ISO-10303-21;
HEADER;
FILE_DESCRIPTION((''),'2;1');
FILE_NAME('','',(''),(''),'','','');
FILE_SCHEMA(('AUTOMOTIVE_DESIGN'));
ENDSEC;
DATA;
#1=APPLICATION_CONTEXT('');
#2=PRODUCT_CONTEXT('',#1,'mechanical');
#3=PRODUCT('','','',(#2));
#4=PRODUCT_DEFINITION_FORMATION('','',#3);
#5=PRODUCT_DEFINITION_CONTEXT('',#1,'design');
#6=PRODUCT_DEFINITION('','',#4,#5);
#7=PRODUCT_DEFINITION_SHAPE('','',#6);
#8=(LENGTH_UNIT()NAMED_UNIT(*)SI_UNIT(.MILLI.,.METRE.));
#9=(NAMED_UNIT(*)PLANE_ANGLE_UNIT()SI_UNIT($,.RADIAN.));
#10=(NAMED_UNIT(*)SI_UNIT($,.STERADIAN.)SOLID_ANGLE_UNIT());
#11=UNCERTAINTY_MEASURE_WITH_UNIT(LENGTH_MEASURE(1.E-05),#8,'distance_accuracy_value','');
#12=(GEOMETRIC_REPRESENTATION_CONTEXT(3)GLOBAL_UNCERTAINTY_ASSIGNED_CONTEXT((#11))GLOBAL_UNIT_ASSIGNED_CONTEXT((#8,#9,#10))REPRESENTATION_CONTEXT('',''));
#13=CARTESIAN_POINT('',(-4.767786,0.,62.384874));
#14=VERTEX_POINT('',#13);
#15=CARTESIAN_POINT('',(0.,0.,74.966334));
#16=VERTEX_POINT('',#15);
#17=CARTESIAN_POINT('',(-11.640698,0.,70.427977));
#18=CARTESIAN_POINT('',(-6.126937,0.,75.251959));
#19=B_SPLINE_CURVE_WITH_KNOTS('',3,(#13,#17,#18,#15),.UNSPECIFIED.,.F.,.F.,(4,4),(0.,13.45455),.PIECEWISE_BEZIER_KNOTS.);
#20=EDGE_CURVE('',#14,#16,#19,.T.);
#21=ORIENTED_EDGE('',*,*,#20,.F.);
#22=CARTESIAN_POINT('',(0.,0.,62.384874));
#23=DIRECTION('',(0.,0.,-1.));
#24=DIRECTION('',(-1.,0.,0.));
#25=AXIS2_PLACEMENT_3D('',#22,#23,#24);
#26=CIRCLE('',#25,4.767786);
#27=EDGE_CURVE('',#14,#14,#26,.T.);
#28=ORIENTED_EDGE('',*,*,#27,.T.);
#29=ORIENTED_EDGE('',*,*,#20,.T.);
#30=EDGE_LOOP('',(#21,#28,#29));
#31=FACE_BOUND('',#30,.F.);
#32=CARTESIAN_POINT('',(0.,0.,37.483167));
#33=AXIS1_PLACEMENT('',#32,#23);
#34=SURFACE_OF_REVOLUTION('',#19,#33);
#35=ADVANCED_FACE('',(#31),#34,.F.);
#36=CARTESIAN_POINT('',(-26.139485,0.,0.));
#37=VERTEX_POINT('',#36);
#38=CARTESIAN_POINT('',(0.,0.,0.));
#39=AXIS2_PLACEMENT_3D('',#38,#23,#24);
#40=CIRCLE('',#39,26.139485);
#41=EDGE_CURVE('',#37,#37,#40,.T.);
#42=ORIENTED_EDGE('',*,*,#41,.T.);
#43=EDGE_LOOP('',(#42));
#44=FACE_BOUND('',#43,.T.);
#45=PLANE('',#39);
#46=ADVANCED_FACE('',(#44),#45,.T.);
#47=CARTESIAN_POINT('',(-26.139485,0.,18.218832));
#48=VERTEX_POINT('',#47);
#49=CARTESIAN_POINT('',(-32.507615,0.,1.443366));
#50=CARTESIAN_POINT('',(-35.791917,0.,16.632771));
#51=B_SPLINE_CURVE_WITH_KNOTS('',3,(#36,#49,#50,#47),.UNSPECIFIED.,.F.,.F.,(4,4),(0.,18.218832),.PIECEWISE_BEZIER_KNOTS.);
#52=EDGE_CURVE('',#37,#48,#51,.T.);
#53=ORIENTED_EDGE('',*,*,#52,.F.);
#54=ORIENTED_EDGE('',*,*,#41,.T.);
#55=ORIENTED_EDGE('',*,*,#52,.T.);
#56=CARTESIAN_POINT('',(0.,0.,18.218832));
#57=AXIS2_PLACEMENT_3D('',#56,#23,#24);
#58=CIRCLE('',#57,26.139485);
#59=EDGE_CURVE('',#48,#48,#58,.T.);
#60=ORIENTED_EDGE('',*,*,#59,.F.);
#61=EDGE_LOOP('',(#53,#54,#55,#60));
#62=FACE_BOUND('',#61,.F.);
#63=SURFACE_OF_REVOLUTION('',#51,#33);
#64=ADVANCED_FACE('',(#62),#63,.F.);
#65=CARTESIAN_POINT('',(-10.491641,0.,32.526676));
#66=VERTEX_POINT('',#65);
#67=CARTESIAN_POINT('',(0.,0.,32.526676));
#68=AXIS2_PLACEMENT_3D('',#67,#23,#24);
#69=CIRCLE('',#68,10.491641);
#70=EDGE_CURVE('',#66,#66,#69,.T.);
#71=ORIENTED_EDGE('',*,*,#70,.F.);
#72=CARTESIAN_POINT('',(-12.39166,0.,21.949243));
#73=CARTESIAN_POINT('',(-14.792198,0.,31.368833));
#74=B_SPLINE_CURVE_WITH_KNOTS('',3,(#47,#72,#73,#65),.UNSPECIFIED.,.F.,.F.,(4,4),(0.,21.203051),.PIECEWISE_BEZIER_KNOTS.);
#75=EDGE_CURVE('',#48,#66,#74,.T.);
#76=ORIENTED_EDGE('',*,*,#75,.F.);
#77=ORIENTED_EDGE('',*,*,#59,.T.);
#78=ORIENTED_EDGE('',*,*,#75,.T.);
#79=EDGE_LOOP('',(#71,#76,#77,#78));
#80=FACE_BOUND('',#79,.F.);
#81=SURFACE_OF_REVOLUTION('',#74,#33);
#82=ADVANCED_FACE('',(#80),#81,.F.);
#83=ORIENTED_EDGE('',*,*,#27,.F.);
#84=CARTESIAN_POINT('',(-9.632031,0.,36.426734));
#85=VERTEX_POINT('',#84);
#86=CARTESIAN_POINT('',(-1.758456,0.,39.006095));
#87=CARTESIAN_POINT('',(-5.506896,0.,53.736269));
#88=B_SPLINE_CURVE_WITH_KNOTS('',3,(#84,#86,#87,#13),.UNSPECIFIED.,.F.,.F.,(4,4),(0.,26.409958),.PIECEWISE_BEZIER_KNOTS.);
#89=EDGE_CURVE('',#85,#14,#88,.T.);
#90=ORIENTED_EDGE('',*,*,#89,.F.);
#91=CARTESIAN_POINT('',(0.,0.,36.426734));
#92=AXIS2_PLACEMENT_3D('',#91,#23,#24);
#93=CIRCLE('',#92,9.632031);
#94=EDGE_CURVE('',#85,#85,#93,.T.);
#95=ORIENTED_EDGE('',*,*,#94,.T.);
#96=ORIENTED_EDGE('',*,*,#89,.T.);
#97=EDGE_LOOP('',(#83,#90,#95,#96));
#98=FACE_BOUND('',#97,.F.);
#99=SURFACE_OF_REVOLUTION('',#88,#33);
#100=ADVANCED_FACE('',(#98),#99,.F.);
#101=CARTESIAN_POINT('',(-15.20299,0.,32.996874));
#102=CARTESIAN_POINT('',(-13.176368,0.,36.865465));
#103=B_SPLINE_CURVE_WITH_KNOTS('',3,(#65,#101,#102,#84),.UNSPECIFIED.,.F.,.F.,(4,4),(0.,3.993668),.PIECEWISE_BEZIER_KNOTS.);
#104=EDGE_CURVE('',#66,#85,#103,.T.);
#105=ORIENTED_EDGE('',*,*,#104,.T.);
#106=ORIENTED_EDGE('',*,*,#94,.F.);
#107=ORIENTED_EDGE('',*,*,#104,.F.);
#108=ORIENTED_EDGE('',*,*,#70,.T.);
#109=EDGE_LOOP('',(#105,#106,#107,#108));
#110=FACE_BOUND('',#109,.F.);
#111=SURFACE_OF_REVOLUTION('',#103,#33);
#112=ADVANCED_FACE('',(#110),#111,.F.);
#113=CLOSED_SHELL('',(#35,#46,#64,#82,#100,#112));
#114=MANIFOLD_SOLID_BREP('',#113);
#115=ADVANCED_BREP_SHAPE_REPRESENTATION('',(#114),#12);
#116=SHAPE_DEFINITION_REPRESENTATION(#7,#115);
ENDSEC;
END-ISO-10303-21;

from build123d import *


with BuildPart() as f1:
    # F0 (on Front) → F1 (revolve)
    with BuildSketch(Plane.XZ):
        with BuildLine():
            Line((-26.139485, 0), (0, 0))
            Line((0, 0), (0, 74.966334))
            add(Edge.make_bspline(
                [(-4.767786, 62.384874), (-11.640698, 70.427977), (-6.126937, 75.251959), (0, 74.966334)],
                knots=[0, 0, 0, 0, 13.45455, 13.45455, 13.45455, 13.45455], degree=3))
            add(Edge.make_bspline(
                [(-9.632031, 36.426734), (-1.758456, 39.006095), (-5.506896, 53.736269), (-4.767786, 62.384874)],
                knots=[0, 0, 0, 0, 26.409958, 26.409958, 26.409958, 26.409958], degree=3))
            add(Edge.make_bspline(
                [(-10.491641, 32.526676), (-15.20299, 32.996874), (-13.176368, 36.865465), (-9.632031, 36.426734)],
                knots=[0, 0, 0, 0, 3.993668, 3.993668, 3.993668, 3.993668], degree=3))
            add(Edge.make_bspline(
                [(-26.139485, 18.218832), (-12.39166, 21.949243), (-14.792198, 31.368833), (-10.491641, 32.526676)],
                knots=[0, 0, 0, 0, 21.203051, 21.203051, 21.203051, 21.203051], degree=3))
            add(Edge.make_bspline(
                [(-26.139485, 0), (-32.507615, 1.443366), (-35.791917, 16.632771), (-26.139485, 18.218832)],
                knots=[0, 0, 0, 0, 18.218832, 18.218832, 18.218832, 18.218832], degree=3))
        make_face()
    revolve(axis=Axis((0, 0, 37.483167), (0, 0, -1)))


solid = f1.part
